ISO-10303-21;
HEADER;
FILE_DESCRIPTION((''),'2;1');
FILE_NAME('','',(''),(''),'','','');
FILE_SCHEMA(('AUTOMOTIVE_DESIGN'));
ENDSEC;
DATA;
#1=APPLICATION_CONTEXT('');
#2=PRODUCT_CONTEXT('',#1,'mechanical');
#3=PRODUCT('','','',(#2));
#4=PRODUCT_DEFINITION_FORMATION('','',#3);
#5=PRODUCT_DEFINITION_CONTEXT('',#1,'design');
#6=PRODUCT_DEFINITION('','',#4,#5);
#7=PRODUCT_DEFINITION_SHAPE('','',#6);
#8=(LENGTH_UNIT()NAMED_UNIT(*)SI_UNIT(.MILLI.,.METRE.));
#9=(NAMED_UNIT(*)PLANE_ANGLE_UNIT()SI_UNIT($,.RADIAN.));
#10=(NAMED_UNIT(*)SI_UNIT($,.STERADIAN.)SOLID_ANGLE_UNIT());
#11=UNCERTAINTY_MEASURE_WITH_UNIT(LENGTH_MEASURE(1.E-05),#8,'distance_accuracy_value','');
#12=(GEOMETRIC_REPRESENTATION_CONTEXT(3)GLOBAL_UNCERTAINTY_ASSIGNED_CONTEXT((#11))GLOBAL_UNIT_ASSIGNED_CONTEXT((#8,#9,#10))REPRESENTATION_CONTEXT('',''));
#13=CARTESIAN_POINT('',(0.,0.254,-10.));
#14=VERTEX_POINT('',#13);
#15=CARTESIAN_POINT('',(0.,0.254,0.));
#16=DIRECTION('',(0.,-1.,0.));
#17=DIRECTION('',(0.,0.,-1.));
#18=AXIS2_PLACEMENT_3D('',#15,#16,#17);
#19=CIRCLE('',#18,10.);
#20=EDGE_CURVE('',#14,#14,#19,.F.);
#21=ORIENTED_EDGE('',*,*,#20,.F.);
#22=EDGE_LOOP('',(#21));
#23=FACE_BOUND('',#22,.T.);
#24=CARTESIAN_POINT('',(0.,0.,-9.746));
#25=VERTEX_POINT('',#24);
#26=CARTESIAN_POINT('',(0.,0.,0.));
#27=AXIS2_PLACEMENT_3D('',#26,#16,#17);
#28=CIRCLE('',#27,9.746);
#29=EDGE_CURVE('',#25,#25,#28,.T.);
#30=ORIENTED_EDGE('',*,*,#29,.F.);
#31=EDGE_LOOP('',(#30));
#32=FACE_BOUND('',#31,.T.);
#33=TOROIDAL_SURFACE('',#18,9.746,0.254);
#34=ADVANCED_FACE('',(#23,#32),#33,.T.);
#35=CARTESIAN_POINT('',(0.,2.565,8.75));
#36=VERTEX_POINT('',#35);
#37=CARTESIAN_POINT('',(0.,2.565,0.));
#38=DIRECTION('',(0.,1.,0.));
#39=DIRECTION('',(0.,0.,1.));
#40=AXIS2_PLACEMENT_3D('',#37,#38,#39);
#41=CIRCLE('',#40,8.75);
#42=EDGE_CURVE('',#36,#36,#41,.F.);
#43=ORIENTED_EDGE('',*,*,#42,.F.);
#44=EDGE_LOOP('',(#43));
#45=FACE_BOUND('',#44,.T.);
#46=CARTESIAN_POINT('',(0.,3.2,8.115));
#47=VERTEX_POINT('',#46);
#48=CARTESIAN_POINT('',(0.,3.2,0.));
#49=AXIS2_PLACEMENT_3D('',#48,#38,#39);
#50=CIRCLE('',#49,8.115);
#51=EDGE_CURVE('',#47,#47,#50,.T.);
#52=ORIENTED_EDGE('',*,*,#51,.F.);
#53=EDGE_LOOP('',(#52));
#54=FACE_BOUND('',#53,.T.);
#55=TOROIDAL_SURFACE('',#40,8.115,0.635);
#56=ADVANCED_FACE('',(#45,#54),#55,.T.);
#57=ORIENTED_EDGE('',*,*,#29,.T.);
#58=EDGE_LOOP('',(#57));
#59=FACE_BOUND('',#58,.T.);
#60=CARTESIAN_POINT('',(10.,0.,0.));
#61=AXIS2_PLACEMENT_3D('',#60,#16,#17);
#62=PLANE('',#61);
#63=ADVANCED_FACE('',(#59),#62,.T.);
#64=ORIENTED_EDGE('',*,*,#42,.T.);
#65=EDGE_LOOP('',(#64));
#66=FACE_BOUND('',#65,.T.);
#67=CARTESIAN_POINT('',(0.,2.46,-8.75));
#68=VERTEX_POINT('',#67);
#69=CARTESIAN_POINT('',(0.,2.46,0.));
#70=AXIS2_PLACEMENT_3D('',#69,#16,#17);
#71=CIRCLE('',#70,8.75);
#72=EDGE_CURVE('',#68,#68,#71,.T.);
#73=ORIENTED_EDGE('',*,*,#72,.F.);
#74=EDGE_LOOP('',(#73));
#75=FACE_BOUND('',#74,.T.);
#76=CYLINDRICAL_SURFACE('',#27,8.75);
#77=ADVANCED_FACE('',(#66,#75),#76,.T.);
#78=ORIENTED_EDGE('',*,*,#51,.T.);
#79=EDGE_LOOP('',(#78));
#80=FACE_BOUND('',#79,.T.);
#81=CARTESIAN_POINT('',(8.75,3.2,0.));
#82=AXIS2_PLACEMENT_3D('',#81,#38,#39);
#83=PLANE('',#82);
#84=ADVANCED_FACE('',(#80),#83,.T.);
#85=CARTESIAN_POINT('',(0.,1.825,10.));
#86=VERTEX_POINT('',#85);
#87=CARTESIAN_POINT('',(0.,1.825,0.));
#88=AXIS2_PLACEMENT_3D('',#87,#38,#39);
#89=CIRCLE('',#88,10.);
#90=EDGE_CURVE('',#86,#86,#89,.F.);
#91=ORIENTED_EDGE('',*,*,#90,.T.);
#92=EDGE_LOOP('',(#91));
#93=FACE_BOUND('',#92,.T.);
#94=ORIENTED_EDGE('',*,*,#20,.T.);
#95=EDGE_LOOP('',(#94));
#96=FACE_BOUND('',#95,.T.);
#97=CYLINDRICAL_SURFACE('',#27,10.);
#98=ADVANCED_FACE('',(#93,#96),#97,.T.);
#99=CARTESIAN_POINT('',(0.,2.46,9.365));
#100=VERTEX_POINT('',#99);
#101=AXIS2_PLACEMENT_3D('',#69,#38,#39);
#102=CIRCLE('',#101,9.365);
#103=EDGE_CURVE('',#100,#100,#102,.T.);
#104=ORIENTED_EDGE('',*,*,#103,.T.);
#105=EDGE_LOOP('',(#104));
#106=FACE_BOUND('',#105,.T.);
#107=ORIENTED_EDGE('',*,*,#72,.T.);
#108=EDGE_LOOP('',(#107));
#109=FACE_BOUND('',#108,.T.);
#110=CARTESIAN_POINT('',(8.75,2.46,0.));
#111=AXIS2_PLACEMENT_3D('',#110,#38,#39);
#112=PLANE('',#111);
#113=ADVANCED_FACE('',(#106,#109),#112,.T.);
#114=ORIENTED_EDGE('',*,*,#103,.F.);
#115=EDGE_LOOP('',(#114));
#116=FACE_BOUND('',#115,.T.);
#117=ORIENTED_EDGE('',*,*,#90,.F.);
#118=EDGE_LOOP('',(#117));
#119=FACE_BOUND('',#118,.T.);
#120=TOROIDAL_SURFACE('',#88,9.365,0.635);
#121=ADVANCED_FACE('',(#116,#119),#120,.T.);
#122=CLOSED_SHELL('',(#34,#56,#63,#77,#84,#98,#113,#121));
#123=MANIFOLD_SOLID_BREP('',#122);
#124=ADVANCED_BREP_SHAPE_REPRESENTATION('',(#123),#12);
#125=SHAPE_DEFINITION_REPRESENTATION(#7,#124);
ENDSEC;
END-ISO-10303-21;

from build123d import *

# Parameters (mm, degrees)
FILLET1_R = 0.635
FILLET2_R = 0.254


with BuildPart() as part:
    # Sketch1 → Revolve1 (revolve)
    with BuildSketch(Plane.XY):
        Polygon((0, 0), (0, 3.2), (8.75, 3.2), (8.75, 2.46), (10, 2.46), (10, 0), align=None)
    revolve(axis=Axis((0, 0, 0), (0, 1, 0)))

    # Fillet1
    fillet1_edges = [part.edges().sort_by_distance(p)[0] for p in [
        (-10, 2.46, 0),
        (-8.75, 3.2, 0),
    ]]
    fillet(fillet1_edges, radius=FILLET1_R)

    # Fillet2
    fillet2_edges = [part.edges().sort_by_distance(p)[0] for p in [
        (-10, 0, 0),
    ]]
    fillet(fillet2_edges, radius=FILLET2_R)


solid = part.part
